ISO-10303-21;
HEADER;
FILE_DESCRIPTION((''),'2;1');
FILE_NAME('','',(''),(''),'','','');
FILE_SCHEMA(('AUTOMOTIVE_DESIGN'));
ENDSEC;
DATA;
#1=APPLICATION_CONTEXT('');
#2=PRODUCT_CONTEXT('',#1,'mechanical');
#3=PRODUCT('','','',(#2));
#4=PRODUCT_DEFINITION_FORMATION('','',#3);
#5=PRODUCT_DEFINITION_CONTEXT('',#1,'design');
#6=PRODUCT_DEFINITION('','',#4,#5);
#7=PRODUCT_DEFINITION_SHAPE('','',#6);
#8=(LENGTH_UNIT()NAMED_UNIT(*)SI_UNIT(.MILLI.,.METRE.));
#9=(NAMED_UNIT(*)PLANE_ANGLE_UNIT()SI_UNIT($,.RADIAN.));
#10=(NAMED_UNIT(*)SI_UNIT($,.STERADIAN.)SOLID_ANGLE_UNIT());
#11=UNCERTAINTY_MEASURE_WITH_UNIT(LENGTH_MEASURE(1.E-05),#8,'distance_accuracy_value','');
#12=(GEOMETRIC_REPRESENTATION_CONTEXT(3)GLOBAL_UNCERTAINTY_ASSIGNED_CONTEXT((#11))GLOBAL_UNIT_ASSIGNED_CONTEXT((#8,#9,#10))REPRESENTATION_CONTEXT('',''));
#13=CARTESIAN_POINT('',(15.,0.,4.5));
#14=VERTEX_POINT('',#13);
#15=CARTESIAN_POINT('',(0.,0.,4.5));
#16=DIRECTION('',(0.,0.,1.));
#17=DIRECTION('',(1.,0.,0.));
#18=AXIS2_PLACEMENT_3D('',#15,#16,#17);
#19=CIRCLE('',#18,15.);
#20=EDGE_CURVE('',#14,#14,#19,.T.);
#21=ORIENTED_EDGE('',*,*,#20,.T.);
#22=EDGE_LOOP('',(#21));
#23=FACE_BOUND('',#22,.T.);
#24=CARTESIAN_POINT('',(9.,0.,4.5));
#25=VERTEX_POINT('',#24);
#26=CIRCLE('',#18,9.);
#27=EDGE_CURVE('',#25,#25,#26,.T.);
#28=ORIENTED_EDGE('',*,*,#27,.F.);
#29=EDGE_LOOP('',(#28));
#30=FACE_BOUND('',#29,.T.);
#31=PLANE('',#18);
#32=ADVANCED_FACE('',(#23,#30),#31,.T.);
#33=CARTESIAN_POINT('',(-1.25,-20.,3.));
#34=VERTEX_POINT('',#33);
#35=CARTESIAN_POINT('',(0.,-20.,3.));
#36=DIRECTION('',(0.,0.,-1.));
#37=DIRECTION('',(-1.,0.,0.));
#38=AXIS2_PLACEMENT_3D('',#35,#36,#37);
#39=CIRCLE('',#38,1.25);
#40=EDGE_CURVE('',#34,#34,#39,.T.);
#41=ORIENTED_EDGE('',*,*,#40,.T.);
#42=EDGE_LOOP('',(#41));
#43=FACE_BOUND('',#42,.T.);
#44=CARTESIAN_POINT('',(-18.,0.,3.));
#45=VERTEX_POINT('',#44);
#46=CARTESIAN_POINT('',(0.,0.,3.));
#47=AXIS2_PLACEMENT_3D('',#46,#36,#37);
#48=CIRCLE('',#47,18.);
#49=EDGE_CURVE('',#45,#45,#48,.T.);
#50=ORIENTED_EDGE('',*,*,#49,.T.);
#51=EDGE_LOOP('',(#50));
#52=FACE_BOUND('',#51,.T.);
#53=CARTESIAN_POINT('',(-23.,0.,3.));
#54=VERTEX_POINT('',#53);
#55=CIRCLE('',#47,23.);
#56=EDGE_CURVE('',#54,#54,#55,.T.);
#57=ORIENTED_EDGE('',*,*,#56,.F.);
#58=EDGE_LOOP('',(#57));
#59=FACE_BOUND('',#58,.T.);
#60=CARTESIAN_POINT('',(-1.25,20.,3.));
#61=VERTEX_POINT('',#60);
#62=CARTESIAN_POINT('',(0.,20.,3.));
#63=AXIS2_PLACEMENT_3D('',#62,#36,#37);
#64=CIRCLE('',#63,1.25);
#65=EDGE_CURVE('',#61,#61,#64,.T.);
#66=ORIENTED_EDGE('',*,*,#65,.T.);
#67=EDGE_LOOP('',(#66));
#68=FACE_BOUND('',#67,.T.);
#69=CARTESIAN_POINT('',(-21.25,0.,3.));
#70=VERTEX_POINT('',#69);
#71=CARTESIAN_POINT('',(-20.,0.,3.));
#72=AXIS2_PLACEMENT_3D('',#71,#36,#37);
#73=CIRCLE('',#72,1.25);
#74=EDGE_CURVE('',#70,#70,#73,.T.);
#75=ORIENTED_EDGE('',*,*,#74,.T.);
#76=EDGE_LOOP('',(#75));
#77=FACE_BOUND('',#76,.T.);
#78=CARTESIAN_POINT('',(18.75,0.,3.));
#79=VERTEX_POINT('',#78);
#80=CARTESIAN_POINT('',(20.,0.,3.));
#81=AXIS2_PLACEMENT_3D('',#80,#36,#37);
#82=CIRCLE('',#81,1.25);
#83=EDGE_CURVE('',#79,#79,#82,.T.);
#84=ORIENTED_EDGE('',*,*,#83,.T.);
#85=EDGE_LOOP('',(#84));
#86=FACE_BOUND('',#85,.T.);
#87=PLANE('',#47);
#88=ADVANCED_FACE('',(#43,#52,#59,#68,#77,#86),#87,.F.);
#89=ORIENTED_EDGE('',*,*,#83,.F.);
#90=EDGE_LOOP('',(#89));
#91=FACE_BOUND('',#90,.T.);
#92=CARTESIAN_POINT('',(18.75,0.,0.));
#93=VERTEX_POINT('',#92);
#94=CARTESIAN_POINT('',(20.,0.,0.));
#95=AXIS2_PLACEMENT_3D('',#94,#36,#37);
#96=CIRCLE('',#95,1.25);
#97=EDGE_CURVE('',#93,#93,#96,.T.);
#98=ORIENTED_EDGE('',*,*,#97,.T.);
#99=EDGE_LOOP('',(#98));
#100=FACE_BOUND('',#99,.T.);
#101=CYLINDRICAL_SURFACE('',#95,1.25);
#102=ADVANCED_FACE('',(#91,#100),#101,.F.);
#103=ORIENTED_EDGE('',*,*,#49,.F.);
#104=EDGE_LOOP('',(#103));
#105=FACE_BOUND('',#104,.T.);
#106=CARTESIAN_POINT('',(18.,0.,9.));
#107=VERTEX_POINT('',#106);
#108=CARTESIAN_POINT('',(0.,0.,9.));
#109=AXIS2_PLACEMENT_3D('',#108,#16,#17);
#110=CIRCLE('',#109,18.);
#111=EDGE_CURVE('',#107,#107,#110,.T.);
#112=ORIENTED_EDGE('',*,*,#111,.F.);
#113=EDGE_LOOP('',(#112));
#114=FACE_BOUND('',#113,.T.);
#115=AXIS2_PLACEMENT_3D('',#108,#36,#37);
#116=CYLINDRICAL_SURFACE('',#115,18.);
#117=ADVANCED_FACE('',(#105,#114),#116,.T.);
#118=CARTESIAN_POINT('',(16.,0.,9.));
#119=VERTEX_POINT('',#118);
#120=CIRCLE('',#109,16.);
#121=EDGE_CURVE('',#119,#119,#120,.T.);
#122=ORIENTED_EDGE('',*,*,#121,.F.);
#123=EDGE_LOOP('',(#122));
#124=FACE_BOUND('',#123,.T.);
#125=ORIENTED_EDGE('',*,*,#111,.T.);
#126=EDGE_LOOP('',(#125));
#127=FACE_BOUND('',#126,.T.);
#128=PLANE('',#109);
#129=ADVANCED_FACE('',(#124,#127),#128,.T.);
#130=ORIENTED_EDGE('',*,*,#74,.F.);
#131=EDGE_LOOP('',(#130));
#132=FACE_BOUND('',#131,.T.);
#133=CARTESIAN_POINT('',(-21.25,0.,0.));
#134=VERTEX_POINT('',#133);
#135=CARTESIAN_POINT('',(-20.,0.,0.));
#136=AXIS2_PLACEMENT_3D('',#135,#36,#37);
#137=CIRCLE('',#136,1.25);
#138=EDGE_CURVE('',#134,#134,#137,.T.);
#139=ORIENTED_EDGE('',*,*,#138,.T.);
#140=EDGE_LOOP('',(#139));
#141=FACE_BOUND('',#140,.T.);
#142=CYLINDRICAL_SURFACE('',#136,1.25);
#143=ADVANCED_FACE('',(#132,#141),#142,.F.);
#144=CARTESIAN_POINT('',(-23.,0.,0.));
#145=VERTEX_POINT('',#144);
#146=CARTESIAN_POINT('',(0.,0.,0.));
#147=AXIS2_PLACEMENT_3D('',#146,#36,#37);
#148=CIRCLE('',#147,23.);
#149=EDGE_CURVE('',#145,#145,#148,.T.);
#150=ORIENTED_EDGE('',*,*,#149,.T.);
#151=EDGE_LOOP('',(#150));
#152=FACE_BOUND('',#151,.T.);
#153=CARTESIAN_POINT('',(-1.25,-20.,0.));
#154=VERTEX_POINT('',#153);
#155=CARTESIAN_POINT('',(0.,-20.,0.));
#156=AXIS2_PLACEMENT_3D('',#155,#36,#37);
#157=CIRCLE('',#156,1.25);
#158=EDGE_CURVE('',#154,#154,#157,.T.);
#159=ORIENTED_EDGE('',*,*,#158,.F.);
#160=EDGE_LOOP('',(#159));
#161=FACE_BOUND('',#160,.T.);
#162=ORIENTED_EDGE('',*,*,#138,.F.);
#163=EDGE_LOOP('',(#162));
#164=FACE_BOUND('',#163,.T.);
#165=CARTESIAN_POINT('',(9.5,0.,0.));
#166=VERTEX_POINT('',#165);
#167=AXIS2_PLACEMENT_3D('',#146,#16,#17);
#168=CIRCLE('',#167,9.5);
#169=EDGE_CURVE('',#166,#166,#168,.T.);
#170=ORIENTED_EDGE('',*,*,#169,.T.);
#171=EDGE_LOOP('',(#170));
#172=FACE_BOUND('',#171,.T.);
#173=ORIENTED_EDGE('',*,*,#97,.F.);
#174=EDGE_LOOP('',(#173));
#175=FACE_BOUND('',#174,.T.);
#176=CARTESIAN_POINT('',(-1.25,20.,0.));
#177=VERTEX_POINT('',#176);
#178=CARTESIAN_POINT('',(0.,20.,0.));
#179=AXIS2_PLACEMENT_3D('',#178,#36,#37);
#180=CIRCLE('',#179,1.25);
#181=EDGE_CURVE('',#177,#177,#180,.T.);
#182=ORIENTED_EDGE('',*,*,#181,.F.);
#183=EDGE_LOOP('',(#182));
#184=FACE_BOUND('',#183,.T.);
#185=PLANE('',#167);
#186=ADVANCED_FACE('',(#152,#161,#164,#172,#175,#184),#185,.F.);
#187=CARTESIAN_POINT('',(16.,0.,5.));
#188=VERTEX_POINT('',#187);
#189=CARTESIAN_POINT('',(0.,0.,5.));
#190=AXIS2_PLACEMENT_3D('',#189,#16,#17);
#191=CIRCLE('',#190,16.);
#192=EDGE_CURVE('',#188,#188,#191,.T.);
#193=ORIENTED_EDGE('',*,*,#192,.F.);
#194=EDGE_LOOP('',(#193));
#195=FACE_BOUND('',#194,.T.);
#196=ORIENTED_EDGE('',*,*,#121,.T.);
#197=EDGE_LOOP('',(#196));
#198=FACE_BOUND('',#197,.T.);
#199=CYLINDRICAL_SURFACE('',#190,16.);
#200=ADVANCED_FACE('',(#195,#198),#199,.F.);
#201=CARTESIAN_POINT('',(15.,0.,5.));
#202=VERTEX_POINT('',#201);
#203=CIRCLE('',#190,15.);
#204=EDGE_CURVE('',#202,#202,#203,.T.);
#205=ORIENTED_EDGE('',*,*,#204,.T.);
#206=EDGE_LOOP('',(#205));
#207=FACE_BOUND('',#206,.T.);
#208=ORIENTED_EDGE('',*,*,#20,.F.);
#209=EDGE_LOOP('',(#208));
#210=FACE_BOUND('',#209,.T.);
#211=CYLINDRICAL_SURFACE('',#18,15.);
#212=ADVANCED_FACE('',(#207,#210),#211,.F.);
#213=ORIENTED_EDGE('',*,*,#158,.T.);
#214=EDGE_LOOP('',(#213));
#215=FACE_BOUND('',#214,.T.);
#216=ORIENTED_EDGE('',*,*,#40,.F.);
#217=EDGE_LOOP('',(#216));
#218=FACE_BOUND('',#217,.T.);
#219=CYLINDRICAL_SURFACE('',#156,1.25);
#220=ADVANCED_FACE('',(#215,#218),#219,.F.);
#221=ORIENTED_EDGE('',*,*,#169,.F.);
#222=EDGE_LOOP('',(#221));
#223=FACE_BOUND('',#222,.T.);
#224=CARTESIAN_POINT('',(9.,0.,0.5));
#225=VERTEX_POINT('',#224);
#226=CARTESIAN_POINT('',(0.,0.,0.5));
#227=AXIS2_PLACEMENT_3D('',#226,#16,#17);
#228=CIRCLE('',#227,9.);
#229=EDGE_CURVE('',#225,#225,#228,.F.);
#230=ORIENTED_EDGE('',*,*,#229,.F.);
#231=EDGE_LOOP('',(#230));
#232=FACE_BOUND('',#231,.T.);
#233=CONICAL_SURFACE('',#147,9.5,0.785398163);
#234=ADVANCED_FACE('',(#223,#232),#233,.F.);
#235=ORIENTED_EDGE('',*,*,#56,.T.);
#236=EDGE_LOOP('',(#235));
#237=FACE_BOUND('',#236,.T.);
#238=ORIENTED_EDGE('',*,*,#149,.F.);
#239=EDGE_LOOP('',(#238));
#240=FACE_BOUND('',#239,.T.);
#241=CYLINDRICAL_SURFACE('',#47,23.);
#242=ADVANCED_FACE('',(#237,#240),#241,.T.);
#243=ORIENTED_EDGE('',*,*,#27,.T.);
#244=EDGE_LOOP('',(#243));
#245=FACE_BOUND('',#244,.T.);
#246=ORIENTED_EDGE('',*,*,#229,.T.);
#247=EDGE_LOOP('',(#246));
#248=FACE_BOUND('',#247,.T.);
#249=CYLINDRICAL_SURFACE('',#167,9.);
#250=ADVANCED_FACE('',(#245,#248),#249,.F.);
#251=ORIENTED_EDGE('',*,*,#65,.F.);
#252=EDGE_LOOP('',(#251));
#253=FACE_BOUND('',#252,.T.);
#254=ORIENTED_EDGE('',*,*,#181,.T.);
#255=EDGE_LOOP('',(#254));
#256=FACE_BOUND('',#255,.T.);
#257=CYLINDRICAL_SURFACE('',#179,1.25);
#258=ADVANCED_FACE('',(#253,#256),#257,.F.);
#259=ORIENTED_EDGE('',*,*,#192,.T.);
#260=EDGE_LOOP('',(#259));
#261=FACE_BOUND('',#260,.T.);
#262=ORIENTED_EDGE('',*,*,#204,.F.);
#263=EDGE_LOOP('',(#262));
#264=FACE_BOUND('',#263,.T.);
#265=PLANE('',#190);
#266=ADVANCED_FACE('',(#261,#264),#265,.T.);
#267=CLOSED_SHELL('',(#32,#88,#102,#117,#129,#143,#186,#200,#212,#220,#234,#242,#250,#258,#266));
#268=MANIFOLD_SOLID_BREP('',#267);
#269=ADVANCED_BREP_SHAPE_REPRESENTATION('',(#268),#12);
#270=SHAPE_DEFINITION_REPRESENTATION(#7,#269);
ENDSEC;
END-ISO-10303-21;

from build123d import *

# Parameters (mm, degrees)
SKETCH_1_R          = 18
EXTRUDE_3_DEPTH     = 9
SKETCH_4_R          = 16
CUT_EXTRUDE_1_DEPTH = 4
SKETCH_5_R          = 15
CUT_EXTRUDE_2_DEPTH = 0.5
SKETCH_7_R          = 9
CUT_EXTRUDE_3_DEPTH = 26.850531909
SKETCH_11_R         = 23
SKETCH_11_R_2       = 18
EXTRUDE_4_DEPTH     = 3
CHAMFER_2_SIZE      = 0.5
HOLE_WIZARD_M3_2_D  = 2.5


with BuildPart() as part:
    # 草图1 → 凸台-拉伸3 (new body)
    with BuildSketch(Plane.XY):
        Circle(SKETCH_1_R)
    extrude(amount=EXTRUDE_3_DEPTH)

    # 草图4 → 切除-拉伸1 (cut)
    with BuildSketch(Plane.XY.offset(9)):
        Circle(SKETCH_4_R)
    extrude(amount=-CUT_EXTRUDE_1_DEPTH, mode=Mode.SUBTRACT)

    # 草图5 → 切除-拉伸2 (cut)
    with BuildSketch(Plane.XY.offset(5)):
        Circle(SKETCH_5_R)
    extrude(amount=-CUT_EXTRUDE_2_DEPTH, mode=Mode.SUBTRACT)

    # 草图7 → 切除-拉伸3 (cut, through all)
    with BuildSketch(Plane.XY.offset(4.5)):
        Circle(SKETCH_7_R)
    extrude(amount=-CUT_EXTRUDE_3_DEPTH, mode=Mode.SUBTRACT)

    # 草图11 → 凸台-拉伸4 (add)
    with BuildSketch(Plane(origin=(0, 0, 0), x_dir=(-1, 0, 0), z_dir=(0, 0, -1))):
        Circle(SKETCH_11_R)
        Circle(SKETCH_11_R_2, mode=Mode.SUBTRACT)
    extrude(amount=-EXTRUDE_4_DEPTH)

    # 倒角2
    chamfer_2_edges = [part.edges().sort_by_distance(p)[0] for p in [
        (-9, 0, 0),
    ]]
    chamfer(chamfer_2_edges, length=CHAMFER_2_SIZE)

    # M3 螺纹孔2 (through all)
    with Locations(Plane(origin=(0, 0, 0), x_dir=(-1, 0, 0), z_dir=(0, 0, -1))):
        with Locations((0, 20), (-20, 0), (0, -20), (20, 0)):
            Hole(HOLE_WIZARD_M3_2_D / 2)


solid = part.part
